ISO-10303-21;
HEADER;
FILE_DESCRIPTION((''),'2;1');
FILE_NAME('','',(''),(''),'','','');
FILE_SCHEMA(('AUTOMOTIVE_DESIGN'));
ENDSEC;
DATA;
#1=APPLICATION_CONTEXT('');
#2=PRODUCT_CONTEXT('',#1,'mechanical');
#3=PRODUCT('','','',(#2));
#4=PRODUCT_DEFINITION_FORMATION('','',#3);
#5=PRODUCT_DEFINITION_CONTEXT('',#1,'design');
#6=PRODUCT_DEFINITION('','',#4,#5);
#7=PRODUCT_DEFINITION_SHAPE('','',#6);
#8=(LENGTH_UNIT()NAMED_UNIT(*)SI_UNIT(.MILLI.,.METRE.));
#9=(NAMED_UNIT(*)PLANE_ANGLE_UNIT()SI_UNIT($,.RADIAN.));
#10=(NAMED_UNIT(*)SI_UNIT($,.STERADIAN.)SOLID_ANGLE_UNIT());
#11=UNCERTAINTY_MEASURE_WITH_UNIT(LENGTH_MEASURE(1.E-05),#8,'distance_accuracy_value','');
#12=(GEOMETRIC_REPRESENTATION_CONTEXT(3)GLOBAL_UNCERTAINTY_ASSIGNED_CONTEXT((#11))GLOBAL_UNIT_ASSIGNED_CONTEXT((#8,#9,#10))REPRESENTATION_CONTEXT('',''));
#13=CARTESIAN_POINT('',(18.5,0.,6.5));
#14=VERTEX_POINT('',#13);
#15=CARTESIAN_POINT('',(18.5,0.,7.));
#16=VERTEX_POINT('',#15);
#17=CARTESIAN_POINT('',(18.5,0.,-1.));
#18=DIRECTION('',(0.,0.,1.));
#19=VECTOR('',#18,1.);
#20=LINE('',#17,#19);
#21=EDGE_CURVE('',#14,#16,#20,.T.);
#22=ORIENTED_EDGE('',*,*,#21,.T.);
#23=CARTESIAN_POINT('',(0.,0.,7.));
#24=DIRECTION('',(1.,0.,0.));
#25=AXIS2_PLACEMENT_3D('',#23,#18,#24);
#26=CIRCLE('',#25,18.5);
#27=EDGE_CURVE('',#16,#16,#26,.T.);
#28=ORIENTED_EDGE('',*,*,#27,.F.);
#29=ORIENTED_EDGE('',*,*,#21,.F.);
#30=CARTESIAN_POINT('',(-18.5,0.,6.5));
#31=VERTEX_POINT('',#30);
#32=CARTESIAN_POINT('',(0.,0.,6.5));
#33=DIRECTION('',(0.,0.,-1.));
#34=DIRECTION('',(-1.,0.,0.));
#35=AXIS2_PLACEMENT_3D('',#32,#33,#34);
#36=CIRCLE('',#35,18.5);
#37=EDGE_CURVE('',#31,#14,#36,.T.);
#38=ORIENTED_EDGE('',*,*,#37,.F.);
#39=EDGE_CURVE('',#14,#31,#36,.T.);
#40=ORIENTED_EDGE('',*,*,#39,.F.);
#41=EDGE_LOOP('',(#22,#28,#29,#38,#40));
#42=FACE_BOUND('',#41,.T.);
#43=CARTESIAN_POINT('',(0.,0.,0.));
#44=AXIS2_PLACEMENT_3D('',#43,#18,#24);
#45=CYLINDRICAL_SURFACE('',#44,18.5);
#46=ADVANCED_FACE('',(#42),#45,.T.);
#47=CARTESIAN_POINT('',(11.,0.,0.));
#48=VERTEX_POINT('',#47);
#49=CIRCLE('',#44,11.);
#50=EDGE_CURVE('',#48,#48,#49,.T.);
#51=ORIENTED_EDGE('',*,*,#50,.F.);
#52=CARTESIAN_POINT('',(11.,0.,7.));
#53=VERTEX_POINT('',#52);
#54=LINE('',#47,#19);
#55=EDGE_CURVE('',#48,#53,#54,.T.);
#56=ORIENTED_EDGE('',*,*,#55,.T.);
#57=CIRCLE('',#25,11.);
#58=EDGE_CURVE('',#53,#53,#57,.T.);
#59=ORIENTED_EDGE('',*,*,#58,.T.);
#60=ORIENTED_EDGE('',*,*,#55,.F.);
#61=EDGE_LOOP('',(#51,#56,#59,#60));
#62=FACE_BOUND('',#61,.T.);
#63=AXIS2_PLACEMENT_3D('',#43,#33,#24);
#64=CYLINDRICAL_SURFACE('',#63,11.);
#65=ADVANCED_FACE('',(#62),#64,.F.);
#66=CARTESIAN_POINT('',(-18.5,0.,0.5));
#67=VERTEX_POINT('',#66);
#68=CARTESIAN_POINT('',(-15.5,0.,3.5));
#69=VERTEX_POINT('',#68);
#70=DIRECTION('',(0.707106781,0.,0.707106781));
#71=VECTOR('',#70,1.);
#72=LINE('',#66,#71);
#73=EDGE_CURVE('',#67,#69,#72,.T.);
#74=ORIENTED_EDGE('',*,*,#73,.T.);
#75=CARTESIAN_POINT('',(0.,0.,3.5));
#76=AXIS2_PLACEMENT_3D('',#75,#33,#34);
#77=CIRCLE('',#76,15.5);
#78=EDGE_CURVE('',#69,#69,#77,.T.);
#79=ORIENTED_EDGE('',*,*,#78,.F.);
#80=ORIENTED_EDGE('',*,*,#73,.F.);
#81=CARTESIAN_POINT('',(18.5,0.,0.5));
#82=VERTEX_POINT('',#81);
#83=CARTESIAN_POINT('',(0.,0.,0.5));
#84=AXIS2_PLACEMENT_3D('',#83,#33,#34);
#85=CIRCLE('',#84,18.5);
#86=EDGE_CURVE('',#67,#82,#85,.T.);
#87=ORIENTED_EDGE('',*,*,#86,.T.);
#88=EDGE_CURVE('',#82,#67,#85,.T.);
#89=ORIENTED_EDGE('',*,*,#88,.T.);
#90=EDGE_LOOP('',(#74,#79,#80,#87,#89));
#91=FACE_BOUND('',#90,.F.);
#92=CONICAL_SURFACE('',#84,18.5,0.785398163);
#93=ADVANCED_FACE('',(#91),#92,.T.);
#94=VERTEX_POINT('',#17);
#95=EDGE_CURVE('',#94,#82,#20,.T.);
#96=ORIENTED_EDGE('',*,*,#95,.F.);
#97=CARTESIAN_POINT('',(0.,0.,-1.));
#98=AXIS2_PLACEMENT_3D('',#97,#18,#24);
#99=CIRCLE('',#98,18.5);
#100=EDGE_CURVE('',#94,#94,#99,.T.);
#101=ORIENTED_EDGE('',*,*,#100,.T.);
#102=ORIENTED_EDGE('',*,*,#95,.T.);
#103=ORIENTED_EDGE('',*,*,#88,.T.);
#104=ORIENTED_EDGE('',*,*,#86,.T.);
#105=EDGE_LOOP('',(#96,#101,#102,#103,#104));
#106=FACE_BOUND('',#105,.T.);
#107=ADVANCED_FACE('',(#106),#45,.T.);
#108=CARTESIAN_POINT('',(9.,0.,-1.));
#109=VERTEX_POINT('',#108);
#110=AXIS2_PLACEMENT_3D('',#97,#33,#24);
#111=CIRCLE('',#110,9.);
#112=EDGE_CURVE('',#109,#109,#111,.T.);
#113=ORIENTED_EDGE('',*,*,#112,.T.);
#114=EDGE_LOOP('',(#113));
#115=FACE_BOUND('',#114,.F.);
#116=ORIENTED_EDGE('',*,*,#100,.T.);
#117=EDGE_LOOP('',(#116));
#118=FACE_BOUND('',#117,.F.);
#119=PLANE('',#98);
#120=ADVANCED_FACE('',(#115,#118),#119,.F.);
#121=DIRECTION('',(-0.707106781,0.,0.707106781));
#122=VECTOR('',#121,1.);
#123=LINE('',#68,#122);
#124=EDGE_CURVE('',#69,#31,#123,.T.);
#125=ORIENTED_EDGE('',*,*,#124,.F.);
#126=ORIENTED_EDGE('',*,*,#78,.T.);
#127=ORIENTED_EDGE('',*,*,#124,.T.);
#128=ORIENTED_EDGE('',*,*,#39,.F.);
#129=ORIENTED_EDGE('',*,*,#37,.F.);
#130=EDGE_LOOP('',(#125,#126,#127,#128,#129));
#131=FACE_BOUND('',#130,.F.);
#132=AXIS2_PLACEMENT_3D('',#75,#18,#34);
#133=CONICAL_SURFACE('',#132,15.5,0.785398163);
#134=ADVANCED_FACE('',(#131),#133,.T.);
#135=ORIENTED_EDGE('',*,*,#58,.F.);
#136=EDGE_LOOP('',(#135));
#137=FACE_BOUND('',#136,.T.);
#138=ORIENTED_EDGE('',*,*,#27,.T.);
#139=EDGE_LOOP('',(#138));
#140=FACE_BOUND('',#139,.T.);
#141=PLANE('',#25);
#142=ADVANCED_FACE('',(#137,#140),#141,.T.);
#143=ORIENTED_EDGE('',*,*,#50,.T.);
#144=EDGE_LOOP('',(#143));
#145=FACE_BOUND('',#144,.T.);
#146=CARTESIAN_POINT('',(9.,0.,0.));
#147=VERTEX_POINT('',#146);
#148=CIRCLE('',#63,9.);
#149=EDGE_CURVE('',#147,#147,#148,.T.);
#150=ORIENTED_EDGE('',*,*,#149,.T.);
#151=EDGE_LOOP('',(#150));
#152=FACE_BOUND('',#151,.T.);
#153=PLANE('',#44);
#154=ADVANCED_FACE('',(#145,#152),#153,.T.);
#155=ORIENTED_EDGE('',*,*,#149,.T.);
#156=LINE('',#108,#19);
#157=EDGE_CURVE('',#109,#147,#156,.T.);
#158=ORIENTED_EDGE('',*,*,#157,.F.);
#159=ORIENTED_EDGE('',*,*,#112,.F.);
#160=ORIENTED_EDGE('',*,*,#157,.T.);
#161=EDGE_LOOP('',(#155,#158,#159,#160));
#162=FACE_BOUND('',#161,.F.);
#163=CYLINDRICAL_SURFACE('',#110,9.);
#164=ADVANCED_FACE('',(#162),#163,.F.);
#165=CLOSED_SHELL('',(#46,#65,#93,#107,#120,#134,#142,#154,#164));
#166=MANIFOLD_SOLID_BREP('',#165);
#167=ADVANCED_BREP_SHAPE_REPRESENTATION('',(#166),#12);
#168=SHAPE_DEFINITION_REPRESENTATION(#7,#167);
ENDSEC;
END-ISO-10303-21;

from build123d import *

# Parameters (mm, degrees)
F0_R     = 18.5
F0_R_2   = 11
F1_DEPTH = 7
F2_DEPTH = 1
F3_R     = 9
F4_DEPTH = 25


with BuildPart() as f1:
    # F0 (on Top) → F1 (new body)
    with BuildSketch(Plane.XY):
        Circle(F0_R)
        Circle(F0_R_2, mode=Mode.SUBTRACT)
    extrude(amount=F1_DEPTH)

    # F0 (on Top) → F2 (join)
    with BuildSketch(Plane.XY):
        Circle(F0_R)
        Circle(F0_R_2, mode=Mode.SUBTRACT)
        Circle(F0_R_2)
    extrude(amount=-F2_DEPTH)

    # F3 (on face) → F4 (cut)
    with BuildSketch(Plane(origin=(0, 0, -1), x_dir=(1, 0, 0), z_dir=(0, 0, -1))):
        Circle(F3_R)
    extrude(amount=-F4_DEPTH, mode=Mode.SUBTRACT)

    # F5 (on Front) → F6 (revolve, cut)
    with BuildSketch(Plane.XZ):
        Polygon((-18.5, 6.5), (-18.5, 0.5), (-15.5, 3.5), align=None)
    revolve(axis=Axis((0, 0, 3.0658829492), (0, 0, -1)), mode=Mode.SUBTRACT)


solid = f1.part
